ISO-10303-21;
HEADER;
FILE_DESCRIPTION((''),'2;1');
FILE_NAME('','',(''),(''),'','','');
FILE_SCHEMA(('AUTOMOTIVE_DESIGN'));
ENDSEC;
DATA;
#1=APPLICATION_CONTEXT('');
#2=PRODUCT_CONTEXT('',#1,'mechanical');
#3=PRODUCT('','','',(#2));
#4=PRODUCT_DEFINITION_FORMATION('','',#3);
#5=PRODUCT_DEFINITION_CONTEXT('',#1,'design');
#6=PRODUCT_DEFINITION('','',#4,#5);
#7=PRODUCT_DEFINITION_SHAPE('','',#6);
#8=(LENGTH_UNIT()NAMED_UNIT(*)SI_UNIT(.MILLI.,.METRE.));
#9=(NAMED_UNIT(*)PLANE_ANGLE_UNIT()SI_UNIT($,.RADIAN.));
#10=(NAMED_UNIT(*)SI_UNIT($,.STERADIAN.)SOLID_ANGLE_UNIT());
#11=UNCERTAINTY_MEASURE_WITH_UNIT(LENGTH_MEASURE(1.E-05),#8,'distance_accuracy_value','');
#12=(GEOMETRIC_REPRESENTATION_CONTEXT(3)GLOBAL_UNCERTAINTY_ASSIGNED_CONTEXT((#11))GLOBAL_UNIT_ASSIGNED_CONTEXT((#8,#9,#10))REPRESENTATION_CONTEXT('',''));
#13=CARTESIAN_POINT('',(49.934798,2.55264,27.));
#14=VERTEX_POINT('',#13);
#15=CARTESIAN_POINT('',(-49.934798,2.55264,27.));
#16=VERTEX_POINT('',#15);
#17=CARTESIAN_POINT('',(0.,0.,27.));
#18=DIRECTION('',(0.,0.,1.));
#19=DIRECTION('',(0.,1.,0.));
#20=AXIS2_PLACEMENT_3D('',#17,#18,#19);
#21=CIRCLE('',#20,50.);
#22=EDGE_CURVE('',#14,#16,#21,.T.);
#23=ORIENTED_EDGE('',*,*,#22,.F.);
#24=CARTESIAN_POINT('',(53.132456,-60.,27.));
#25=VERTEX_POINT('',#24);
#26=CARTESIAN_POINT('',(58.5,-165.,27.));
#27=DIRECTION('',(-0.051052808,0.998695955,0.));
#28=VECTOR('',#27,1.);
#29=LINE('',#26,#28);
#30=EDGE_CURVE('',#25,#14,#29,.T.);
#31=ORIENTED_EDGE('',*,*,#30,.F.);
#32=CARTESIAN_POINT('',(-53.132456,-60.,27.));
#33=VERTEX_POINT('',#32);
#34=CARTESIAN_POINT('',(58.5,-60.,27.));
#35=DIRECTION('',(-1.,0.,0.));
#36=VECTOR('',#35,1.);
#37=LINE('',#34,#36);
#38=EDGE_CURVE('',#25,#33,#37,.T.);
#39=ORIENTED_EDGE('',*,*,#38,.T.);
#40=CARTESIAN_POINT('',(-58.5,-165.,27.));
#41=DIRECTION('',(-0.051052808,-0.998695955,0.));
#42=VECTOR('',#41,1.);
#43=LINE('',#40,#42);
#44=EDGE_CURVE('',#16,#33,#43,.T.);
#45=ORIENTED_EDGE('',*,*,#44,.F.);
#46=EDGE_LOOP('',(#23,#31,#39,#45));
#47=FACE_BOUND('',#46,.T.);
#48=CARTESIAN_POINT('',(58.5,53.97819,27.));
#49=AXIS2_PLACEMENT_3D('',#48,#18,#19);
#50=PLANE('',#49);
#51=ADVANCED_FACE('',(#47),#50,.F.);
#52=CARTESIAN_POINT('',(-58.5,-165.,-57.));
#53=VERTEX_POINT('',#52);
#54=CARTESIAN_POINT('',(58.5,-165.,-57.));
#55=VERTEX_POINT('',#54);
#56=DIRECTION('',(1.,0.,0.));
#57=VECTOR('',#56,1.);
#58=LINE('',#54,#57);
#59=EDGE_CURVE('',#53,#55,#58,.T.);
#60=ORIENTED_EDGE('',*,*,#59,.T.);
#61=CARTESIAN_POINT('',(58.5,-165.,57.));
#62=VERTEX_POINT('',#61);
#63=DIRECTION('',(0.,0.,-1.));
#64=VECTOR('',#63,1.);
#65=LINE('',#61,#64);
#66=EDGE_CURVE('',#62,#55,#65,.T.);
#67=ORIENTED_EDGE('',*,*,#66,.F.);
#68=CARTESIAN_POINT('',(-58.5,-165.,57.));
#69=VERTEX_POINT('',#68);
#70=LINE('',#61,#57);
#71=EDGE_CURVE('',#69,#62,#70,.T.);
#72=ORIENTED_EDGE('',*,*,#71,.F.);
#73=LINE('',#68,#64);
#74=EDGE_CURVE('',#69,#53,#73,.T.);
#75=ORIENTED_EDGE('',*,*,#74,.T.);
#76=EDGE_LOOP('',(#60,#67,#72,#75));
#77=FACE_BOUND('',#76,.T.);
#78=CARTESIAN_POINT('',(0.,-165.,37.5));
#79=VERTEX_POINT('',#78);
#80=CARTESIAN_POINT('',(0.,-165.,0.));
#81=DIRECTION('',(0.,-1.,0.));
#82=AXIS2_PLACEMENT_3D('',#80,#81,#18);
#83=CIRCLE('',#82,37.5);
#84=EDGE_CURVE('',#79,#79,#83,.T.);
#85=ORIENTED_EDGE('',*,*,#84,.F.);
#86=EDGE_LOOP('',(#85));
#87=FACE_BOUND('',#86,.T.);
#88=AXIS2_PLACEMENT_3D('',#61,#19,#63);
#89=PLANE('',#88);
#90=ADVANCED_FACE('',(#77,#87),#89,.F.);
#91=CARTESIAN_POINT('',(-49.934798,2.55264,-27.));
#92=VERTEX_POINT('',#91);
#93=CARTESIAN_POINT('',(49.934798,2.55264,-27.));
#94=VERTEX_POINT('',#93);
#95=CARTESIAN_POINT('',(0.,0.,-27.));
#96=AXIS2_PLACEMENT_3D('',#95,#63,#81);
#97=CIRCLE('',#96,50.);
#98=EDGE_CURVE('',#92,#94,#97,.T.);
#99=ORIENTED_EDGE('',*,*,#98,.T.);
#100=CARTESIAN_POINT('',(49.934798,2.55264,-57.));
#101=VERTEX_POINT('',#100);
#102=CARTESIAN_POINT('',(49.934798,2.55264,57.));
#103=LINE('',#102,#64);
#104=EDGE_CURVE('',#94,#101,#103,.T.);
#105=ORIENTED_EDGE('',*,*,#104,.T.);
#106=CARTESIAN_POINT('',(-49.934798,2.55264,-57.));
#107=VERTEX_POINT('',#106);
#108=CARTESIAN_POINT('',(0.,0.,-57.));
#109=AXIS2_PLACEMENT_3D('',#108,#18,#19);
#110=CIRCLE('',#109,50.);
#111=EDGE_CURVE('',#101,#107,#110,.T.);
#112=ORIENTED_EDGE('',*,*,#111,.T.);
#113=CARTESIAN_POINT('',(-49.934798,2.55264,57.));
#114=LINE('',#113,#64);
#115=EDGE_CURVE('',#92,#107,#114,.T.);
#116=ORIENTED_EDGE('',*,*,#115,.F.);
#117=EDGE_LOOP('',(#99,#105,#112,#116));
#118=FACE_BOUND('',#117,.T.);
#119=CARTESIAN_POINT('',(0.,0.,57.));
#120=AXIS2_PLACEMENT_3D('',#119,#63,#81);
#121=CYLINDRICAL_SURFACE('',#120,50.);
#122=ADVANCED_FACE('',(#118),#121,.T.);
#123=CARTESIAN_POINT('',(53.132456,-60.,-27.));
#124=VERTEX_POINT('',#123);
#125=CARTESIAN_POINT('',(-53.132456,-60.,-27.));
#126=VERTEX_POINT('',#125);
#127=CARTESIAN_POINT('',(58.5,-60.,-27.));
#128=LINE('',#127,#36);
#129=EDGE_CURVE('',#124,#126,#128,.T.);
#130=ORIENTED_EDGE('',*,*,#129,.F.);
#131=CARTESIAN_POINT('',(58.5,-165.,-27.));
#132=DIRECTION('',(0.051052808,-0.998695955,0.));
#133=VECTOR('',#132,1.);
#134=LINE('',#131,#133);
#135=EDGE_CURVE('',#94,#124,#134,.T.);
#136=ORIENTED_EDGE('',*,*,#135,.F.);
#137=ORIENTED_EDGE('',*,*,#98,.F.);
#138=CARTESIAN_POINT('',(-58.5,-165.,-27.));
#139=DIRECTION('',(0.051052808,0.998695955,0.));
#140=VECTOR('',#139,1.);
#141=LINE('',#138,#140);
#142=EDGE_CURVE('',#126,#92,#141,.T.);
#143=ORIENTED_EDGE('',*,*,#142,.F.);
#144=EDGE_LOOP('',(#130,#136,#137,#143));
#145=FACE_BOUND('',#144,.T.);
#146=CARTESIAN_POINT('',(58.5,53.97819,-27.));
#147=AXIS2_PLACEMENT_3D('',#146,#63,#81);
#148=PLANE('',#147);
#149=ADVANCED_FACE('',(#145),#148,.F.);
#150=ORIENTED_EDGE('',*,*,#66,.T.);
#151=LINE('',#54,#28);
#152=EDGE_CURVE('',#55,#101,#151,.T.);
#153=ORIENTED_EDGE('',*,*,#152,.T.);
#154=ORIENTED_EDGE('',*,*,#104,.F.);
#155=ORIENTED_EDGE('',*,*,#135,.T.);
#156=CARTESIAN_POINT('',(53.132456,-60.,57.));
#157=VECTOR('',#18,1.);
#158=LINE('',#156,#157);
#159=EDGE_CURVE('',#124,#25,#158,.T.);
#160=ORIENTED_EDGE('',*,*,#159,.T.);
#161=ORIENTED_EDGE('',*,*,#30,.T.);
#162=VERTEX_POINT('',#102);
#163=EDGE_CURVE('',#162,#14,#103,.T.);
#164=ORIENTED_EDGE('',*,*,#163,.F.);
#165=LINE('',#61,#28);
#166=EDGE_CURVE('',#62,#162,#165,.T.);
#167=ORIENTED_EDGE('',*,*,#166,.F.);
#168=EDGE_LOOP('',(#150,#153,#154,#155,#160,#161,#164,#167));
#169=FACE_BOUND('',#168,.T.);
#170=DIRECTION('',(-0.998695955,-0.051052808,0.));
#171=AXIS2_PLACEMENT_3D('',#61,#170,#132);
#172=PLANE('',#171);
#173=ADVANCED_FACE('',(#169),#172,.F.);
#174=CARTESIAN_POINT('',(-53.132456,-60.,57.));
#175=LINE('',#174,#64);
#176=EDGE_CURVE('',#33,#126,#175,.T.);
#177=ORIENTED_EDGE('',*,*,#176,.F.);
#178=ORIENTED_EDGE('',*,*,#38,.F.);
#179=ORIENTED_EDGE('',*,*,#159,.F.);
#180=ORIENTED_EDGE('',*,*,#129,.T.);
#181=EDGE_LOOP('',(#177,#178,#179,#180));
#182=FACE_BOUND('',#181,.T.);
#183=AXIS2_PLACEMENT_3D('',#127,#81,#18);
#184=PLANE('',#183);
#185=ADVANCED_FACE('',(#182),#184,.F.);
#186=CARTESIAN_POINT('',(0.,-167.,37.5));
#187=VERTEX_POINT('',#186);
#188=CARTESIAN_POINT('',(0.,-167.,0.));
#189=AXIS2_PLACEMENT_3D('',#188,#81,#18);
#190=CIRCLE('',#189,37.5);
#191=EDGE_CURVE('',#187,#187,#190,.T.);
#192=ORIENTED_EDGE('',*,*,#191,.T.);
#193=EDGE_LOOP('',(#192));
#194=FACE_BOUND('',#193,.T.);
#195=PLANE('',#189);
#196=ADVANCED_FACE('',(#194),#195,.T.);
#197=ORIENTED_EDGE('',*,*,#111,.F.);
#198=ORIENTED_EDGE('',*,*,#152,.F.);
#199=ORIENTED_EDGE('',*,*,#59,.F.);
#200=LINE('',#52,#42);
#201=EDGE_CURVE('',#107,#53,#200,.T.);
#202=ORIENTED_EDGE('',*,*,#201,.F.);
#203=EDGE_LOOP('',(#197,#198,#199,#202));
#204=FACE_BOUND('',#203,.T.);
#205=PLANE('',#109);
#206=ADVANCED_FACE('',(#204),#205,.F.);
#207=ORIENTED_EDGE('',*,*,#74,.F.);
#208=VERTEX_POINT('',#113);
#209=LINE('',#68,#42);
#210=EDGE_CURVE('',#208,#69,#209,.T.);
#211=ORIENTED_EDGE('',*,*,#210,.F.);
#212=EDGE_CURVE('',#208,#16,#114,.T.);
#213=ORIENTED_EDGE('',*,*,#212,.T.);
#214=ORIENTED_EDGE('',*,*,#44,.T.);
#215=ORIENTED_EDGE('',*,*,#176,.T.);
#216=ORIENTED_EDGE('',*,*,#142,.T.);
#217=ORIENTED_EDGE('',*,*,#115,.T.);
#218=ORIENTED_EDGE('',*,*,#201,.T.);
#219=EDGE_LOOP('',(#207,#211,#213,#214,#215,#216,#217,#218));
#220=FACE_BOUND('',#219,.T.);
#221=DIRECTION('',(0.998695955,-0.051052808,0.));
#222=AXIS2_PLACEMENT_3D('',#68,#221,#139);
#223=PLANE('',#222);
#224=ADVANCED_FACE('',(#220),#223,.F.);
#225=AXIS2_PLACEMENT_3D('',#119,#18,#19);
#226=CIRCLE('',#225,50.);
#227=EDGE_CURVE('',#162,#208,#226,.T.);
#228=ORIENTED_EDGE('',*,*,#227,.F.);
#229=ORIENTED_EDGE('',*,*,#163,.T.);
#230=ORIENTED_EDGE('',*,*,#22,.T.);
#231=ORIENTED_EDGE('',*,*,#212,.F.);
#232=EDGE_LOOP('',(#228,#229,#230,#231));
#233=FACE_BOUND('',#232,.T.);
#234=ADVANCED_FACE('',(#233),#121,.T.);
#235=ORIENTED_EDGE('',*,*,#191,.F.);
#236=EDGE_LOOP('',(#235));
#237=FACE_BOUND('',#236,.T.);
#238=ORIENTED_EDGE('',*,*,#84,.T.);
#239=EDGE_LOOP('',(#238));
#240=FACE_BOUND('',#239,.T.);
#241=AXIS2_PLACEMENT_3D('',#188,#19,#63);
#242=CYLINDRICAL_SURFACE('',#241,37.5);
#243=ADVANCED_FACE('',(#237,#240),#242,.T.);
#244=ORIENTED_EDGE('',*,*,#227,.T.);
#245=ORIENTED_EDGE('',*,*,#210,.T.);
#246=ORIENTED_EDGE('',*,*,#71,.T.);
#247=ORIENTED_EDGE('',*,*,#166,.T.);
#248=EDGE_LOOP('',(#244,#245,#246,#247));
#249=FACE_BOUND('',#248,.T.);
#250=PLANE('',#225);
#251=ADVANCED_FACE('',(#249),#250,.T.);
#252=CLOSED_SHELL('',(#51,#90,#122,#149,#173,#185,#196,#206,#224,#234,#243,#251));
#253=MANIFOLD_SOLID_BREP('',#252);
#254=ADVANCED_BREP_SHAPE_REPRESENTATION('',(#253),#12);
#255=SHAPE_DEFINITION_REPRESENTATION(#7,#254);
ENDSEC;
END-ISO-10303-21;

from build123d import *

# Parameters (mm, degrees)
BOSS_EXTRUDE1_DEPTH     = 57
SKETCH2_R               = 37.5
BOSS_EXTRUDE2_DEPTH     = 2
CUT_EXTRUDE1_DEPTH      = 186.90387301
CUT_EXTRUDE1_DEPTH_BACK = 186.90387301
SKETCH3_W               = 113.978189674
SKETCH3_H               = 54
BODY_MOVE_COPY1_ANGLE   = 90


with BuildPart() as part:
    # Sketch1 → Boss-Extrude1 (new, symmetric)
    with BuildSketch(Plane.XY):
        with BuildLine():
            Line((-165, -58.5), (-165, 58.5))
            Line((-165, 58.5), (2.552640416, 49.934797756))
            ThreePointArc((2.552640416, 49.934797756), (50, 0), (2.552640416, -49.934797756))
            Line((2.552640416, -49.934797756), (-165, -58.5))
        make_face()
    extrude(amount=BOSS_EXTRUDE1_DEPTH, both=True)

    # Sketch2 → Boss-Extrude2 (add)
    with BuildSketch(Plane.ZY.offset(165)):
        Circle(SKETCH2_R)
    extrude(amount=BOSS_EXTRUDE2_DEPTH)

    # Sketch3 → Cut-Extrude1 (cut, two sides: drawn at the far end of the back side and taken through both)
    with BuildSketch(Plane(origin=(0, 0, 0), x_dir=(1, 0, 0), z_dir=(0, 1, 0)).offset(-CUT_EXTRUDE1_DEPTH_BACK)):
        with Locations((-3.010905163, 0)):
            Rectangle(SKETCH3_W, SKETCH3_H)
    extrude(amount=CUT_EXTRUDE1_DEPTH + CUT_EXTRUDE1_DEPTH_BACK, mode=Mode.SUBTRACT)


with BuildPart() as part_1:
    # Body-Move/Copy1: moved
    add(part.part.rotate(Axis((0, 0, 0), (0, 0, 1)), BODY_MOVE_COPY1_ANGLE))


solid = part_1.part
